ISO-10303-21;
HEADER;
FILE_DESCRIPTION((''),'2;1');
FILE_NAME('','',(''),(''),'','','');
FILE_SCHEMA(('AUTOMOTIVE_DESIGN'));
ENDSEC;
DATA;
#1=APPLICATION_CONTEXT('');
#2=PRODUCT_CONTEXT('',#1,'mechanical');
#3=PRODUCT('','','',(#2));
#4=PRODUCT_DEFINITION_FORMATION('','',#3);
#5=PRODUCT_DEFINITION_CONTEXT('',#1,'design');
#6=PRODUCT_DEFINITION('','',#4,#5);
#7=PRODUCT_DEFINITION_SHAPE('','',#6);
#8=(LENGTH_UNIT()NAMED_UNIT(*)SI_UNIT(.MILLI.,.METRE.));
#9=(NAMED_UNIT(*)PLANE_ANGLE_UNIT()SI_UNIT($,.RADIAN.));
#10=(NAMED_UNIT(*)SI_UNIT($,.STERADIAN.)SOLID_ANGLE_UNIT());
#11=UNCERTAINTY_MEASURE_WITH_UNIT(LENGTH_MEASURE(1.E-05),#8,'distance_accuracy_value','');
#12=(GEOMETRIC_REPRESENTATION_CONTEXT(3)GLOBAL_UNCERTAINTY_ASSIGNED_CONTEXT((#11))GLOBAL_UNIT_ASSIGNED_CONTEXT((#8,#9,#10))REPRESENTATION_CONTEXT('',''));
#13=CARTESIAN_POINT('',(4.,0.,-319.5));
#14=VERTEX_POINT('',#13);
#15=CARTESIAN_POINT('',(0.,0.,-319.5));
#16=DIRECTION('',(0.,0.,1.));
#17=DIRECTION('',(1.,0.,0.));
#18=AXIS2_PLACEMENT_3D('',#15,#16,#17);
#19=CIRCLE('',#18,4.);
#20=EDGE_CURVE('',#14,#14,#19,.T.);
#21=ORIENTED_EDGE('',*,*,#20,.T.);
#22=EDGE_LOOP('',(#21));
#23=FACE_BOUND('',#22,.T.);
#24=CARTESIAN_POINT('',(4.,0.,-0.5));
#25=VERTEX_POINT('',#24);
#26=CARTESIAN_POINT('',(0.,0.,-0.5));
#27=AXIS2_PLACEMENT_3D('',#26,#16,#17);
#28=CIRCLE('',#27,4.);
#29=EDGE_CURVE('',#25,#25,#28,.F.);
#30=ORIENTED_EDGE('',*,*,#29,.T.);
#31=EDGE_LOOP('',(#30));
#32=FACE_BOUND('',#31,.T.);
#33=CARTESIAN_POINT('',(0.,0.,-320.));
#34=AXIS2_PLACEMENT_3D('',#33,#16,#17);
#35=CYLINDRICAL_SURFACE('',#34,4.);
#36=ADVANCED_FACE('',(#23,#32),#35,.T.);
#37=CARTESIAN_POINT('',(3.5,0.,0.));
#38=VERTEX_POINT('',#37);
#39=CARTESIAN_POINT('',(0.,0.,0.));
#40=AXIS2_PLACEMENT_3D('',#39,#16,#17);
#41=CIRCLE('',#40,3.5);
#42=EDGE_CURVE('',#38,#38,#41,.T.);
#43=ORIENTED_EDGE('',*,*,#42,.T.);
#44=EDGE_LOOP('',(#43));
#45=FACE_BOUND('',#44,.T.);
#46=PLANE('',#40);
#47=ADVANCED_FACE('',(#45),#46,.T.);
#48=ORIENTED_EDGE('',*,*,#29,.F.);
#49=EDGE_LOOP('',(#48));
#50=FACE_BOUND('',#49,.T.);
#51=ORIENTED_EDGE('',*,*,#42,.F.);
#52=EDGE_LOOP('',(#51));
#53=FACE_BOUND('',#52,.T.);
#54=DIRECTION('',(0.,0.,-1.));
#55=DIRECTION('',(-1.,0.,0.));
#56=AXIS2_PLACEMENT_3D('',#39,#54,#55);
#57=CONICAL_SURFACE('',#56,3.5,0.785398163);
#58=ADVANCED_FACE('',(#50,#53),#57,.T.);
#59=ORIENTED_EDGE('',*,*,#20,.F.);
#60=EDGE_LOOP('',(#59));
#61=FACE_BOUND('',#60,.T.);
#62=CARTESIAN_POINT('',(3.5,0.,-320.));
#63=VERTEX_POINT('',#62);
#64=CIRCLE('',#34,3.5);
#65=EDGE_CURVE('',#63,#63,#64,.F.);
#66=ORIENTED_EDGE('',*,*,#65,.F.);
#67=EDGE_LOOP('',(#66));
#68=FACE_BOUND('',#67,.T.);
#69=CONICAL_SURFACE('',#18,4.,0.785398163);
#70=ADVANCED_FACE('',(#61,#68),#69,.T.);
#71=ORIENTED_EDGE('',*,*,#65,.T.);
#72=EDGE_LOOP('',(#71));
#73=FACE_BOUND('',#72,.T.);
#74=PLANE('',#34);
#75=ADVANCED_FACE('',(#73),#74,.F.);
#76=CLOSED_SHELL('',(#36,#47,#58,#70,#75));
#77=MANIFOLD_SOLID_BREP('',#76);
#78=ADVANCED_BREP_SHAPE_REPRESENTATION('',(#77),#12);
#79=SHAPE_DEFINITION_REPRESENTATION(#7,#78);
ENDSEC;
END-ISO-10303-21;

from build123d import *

# Parameters (mm, degrees)
SKETCH1_R           = 4
BOSS_EXTRUDE1_DEPTH = 320
CHAMFER1_SIZE       = 0.5


with BuildPart() as part:
    # Sketch1 → Boss-Extrude1 (new body)
    with BuildSketch(Plane.XY):
        Circle(SKETCH1_R)
    extrude(amount=-BOSS_EXTRUDE1_DEPTH)

    # Chamfer1
    chamfer1_edges = [part.edges().sort_by_distance(p)[0] for p in [
        (-4, 0, 0),
        (-4, 0, -320),
    ]]
    chamfer(chamfer1_edges, length=CHAMFER1_SIZE)


solid = part.part
